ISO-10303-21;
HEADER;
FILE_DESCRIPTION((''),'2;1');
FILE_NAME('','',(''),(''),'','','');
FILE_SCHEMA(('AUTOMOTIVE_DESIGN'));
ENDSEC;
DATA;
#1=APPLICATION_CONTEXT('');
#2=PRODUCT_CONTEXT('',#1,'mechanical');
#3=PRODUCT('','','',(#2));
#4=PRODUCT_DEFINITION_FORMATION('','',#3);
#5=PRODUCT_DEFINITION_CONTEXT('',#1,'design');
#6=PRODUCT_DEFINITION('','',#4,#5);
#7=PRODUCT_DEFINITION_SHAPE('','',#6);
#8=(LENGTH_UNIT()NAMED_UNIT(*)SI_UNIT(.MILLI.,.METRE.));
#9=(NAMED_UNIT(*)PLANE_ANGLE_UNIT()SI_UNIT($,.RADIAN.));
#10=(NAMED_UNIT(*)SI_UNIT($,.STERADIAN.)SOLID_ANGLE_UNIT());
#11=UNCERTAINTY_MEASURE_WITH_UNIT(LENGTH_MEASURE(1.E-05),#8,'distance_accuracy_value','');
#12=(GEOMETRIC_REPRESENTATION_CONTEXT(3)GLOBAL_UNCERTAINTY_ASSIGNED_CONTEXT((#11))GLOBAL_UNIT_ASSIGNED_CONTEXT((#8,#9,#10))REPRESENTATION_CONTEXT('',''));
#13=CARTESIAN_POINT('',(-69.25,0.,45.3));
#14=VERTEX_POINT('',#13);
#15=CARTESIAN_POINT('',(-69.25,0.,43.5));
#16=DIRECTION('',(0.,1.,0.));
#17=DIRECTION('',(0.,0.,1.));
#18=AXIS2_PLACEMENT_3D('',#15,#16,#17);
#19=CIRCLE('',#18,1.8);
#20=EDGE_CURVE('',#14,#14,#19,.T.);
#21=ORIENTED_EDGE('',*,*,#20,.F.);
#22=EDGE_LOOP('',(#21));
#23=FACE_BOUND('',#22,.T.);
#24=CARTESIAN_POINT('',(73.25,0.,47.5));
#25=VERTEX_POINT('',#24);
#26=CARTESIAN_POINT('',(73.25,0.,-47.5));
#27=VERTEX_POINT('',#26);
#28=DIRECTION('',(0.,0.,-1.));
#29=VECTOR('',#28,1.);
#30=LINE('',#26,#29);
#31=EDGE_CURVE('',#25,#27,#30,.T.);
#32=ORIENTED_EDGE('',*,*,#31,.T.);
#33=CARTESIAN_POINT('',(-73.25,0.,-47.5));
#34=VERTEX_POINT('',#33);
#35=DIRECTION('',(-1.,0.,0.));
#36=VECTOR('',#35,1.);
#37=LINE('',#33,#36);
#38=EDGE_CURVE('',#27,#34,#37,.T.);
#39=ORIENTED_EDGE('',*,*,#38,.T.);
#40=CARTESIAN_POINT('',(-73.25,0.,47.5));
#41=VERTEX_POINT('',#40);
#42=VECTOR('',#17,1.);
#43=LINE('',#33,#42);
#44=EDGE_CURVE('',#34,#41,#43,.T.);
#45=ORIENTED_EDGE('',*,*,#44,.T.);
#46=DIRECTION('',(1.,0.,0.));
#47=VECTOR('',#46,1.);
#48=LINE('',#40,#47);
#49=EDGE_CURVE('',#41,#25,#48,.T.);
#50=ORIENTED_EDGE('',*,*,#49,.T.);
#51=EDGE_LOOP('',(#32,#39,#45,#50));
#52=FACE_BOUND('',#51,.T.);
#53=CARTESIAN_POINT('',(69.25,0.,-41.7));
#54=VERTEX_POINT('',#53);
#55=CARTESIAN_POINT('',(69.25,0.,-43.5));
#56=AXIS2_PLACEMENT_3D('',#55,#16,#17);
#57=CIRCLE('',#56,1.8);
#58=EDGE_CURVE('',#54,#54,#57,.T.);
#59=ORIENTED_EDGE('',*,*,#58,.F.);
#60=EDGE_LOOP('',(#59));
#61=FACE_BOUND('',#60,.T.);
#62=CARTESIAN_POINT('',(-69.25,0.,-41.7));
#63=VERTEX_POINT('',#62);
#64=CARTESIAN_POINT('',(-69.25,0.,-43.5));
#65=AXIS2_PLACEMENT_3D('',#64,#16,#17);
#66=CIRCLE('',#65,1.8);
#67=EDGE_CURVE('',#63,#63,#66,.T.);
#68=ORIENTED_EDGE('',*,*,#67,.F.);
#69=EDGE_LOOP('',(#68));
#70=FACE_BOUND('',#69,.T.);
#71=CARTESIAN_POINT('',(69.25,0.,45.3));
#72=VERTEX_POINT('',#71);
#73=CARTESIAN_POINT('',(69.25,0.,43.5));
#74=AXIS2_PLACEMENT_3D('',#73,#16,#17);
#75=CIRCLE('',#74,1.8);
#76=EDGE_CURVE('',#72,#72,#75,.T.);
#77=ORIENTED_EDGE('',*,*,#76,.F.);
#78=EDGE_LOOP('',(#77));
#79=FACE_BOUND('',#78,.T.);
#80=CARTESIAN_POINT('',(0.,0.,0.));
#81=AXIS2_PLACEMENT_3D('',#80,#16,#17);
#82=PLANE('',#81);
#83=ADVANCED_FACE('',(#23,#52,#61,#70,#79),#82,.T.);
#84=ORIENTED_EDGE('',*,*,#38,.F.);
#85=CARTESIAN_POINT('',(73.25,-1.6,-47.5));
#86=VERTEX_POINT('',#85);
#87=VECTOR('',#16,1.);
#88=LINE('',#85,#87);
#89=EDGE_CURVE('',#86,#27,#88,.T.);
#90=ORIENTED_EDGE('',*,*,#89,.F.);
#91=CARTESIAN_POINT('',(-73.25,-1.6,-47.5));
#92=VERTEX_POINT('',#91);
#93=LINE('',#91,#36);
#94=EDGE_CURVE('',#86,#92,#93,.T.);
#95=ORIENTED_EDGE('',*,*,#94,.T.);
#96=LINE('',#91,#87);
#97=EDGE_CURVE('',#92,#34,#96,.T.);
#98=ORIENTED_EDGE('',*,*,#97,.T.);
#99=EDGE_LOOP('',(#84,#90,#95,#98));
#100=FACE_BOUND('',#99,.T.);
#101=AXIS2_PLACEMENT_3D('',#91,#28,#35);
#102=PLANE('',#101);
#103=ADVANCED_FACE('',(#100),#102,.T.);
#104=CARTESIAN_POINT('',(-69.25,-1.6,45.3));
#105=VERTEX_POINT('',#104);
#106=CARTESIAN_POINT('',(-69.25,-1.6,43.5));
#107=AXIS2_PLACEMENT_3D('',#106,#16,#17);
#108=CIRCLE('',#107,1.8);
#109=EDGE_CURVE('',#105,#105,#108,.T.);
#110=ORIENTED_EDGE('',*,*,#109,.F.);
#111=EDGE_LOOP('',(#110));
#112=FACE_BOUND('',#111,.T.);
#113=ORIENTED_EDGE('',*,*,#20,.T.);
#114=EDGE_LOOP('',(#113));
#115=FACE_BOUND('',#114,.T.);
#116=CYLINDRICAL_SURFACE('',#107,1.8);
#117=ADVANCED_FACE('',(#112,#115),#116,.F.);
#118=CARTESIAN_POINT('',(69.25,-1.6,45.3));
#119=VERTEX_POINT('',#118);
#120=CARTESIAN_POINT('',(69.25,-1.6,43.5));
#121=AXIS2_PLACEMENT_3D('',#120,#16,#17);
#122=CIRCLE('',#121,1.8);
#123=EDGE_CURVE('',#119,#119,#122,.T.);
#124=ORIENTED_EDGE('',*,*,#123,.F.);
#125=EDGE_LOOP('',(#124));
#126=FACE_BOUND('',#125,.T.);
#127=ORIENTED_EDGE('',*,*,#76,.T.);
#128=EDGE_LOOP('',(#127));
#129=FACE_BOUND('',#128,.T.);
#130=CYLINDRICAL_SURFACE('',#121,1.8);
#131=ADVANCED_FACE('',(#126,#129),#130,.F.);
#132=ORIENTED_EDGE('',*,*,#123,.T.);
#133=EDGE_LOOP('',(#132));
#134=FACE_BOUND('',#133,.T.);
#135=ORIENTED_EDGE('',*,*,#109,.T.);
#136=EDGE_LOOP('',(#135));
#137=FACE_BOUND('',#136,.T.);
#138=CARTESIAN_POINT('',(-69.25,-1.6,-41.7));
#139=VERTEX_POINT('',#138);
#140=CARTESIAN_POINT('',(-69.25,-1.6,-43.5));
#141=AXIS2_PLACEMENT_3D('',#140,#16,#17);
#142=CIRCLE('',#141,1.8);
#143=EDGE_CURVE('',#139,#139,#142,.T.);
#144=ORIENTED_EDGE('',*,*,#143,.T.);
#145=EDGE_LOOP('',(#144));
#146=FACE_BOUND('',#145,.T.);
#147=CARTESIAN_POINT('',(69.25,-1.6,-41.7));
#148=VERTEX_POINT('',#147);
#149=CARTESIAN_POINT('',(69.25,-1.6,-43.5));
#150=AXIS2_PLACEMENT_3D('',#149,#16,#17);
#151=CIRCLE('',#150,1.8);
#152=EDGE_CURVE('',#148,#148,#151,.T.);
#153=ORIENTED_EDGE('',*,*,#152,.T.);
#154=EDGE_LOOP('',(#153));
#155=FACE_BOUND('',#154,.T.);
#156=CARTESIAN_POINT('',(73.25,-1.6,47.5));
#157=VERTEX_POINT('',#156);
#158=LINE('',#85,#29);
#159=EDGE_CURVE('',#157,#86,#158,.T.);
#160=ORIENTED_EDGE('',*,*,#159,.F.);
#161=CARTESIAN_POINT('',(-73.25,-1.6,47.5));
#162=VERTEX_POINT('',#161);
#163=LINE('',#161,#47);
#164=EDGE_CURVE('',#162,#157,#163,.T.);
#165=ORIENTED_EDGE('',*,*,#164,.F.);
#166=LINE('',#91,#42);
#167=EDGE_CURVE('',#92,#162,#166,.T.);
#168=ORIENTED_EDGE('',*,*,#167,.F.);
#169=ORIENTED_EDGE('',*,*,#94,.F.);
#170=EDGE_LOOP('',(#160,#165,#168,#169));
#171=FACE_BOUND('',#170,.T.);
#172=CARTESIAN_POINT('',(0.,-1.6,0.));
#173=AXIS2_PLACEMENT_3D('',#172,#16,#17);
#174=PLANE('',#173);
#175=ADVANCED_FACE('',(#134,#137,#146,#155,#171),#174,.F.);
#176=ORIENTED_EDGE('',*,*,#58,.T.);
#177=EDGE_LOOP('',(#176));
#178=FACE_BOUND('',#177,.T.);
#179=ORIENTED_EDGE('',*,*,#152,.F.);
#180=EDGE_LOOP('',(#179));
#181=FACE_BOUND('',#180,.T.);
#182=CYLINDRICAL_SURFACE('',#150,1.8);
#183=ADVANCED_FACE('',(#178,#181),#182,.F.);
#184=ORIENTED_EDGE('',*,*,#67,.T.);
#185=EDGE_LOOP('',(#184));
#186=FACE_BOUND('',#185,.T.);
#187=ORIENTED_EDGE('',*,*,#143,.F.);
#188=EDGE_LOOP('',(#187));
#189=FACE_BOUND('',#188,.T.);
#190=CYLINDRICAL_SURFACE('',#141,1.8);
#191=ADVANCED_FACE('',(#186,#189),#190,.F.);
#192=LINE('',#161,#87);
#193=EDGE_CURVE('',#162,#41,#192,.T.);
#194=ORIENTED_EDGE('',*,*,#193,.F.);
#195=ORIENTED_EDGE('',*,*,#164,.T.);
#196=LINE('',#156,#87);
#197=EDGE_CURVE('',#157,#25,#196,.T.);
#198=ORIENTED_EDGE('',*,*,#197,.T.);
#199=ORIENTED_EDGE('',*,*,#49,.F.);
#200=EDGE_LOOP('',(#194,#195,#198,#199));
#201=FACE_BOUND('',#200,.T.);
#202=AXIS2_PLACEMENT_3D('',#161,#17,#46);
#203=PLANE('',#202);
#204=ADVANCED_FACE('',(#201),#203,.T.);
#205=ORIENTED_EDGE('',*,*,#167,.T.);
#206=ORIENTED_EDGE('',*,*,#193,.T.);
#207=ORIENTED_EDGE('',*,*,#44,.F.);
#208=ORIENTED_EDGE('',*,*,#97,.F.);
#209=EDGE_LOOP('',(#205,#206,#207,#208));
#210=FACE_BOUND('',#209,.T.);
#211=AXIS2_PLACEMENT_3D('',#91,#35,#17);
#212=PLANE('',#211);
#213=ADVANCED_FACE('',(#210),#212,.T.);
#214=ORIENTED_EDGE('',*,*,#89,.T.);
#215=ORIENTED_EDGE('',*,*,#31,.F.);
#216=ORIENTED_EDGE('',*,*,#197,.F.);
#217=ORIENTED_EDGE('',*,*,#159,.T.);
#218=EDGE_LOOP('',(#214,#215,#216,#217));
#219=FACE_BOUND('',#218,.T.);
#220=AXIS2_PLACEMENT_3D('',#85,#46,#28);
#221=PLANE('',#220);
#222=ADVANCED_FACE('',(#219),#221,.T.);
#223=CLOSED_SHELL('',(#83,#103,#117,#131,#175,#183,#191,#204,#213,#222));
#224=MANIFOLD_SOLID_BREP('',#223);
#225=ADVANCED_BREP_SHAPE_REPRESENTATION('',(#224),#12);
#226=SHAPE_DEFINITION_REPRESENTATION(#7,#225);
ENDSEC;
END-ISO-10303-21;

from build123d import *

# Parameters (mm, degrees)
SKETCH2_W           = 146.5
SKETCH2_H           = 95
SKETCH2_R           = 1.8
BOSS_EXTRUDE1_DEPTH = 1.6


with BuildPart() as part:
    # Sketch2 → Boss-Extrude1 (new body)
    with BuildSketch(Plane(origin=(0, 0, 0), x_dir=(1, 0, 0), z_dir=(0, 1, 0))):
        Rectangle(SKETCH2_W, SKETCH2_H)
        with Locations((-69.25, 43.5)):
            Circle(SKETCH2_R, mode=Mode.SUBTRACT)
        with Locations((69.25, 43.5)):
            Circle(SKETCH2_R, mode=Mode.SUBTRACT)
        with Locations((69.25, -43.5)):
            Circle(SKETCH2_R, mode=Mode.SUBTRACT)
        with Locations((-69.25, -43.5)):
            Circle(SKETCH2_R, mode=Mode.SUBTRACT)
    extrude(amount=-BOSS_EXTRUDE1_DEPTH)


solid = part.part
